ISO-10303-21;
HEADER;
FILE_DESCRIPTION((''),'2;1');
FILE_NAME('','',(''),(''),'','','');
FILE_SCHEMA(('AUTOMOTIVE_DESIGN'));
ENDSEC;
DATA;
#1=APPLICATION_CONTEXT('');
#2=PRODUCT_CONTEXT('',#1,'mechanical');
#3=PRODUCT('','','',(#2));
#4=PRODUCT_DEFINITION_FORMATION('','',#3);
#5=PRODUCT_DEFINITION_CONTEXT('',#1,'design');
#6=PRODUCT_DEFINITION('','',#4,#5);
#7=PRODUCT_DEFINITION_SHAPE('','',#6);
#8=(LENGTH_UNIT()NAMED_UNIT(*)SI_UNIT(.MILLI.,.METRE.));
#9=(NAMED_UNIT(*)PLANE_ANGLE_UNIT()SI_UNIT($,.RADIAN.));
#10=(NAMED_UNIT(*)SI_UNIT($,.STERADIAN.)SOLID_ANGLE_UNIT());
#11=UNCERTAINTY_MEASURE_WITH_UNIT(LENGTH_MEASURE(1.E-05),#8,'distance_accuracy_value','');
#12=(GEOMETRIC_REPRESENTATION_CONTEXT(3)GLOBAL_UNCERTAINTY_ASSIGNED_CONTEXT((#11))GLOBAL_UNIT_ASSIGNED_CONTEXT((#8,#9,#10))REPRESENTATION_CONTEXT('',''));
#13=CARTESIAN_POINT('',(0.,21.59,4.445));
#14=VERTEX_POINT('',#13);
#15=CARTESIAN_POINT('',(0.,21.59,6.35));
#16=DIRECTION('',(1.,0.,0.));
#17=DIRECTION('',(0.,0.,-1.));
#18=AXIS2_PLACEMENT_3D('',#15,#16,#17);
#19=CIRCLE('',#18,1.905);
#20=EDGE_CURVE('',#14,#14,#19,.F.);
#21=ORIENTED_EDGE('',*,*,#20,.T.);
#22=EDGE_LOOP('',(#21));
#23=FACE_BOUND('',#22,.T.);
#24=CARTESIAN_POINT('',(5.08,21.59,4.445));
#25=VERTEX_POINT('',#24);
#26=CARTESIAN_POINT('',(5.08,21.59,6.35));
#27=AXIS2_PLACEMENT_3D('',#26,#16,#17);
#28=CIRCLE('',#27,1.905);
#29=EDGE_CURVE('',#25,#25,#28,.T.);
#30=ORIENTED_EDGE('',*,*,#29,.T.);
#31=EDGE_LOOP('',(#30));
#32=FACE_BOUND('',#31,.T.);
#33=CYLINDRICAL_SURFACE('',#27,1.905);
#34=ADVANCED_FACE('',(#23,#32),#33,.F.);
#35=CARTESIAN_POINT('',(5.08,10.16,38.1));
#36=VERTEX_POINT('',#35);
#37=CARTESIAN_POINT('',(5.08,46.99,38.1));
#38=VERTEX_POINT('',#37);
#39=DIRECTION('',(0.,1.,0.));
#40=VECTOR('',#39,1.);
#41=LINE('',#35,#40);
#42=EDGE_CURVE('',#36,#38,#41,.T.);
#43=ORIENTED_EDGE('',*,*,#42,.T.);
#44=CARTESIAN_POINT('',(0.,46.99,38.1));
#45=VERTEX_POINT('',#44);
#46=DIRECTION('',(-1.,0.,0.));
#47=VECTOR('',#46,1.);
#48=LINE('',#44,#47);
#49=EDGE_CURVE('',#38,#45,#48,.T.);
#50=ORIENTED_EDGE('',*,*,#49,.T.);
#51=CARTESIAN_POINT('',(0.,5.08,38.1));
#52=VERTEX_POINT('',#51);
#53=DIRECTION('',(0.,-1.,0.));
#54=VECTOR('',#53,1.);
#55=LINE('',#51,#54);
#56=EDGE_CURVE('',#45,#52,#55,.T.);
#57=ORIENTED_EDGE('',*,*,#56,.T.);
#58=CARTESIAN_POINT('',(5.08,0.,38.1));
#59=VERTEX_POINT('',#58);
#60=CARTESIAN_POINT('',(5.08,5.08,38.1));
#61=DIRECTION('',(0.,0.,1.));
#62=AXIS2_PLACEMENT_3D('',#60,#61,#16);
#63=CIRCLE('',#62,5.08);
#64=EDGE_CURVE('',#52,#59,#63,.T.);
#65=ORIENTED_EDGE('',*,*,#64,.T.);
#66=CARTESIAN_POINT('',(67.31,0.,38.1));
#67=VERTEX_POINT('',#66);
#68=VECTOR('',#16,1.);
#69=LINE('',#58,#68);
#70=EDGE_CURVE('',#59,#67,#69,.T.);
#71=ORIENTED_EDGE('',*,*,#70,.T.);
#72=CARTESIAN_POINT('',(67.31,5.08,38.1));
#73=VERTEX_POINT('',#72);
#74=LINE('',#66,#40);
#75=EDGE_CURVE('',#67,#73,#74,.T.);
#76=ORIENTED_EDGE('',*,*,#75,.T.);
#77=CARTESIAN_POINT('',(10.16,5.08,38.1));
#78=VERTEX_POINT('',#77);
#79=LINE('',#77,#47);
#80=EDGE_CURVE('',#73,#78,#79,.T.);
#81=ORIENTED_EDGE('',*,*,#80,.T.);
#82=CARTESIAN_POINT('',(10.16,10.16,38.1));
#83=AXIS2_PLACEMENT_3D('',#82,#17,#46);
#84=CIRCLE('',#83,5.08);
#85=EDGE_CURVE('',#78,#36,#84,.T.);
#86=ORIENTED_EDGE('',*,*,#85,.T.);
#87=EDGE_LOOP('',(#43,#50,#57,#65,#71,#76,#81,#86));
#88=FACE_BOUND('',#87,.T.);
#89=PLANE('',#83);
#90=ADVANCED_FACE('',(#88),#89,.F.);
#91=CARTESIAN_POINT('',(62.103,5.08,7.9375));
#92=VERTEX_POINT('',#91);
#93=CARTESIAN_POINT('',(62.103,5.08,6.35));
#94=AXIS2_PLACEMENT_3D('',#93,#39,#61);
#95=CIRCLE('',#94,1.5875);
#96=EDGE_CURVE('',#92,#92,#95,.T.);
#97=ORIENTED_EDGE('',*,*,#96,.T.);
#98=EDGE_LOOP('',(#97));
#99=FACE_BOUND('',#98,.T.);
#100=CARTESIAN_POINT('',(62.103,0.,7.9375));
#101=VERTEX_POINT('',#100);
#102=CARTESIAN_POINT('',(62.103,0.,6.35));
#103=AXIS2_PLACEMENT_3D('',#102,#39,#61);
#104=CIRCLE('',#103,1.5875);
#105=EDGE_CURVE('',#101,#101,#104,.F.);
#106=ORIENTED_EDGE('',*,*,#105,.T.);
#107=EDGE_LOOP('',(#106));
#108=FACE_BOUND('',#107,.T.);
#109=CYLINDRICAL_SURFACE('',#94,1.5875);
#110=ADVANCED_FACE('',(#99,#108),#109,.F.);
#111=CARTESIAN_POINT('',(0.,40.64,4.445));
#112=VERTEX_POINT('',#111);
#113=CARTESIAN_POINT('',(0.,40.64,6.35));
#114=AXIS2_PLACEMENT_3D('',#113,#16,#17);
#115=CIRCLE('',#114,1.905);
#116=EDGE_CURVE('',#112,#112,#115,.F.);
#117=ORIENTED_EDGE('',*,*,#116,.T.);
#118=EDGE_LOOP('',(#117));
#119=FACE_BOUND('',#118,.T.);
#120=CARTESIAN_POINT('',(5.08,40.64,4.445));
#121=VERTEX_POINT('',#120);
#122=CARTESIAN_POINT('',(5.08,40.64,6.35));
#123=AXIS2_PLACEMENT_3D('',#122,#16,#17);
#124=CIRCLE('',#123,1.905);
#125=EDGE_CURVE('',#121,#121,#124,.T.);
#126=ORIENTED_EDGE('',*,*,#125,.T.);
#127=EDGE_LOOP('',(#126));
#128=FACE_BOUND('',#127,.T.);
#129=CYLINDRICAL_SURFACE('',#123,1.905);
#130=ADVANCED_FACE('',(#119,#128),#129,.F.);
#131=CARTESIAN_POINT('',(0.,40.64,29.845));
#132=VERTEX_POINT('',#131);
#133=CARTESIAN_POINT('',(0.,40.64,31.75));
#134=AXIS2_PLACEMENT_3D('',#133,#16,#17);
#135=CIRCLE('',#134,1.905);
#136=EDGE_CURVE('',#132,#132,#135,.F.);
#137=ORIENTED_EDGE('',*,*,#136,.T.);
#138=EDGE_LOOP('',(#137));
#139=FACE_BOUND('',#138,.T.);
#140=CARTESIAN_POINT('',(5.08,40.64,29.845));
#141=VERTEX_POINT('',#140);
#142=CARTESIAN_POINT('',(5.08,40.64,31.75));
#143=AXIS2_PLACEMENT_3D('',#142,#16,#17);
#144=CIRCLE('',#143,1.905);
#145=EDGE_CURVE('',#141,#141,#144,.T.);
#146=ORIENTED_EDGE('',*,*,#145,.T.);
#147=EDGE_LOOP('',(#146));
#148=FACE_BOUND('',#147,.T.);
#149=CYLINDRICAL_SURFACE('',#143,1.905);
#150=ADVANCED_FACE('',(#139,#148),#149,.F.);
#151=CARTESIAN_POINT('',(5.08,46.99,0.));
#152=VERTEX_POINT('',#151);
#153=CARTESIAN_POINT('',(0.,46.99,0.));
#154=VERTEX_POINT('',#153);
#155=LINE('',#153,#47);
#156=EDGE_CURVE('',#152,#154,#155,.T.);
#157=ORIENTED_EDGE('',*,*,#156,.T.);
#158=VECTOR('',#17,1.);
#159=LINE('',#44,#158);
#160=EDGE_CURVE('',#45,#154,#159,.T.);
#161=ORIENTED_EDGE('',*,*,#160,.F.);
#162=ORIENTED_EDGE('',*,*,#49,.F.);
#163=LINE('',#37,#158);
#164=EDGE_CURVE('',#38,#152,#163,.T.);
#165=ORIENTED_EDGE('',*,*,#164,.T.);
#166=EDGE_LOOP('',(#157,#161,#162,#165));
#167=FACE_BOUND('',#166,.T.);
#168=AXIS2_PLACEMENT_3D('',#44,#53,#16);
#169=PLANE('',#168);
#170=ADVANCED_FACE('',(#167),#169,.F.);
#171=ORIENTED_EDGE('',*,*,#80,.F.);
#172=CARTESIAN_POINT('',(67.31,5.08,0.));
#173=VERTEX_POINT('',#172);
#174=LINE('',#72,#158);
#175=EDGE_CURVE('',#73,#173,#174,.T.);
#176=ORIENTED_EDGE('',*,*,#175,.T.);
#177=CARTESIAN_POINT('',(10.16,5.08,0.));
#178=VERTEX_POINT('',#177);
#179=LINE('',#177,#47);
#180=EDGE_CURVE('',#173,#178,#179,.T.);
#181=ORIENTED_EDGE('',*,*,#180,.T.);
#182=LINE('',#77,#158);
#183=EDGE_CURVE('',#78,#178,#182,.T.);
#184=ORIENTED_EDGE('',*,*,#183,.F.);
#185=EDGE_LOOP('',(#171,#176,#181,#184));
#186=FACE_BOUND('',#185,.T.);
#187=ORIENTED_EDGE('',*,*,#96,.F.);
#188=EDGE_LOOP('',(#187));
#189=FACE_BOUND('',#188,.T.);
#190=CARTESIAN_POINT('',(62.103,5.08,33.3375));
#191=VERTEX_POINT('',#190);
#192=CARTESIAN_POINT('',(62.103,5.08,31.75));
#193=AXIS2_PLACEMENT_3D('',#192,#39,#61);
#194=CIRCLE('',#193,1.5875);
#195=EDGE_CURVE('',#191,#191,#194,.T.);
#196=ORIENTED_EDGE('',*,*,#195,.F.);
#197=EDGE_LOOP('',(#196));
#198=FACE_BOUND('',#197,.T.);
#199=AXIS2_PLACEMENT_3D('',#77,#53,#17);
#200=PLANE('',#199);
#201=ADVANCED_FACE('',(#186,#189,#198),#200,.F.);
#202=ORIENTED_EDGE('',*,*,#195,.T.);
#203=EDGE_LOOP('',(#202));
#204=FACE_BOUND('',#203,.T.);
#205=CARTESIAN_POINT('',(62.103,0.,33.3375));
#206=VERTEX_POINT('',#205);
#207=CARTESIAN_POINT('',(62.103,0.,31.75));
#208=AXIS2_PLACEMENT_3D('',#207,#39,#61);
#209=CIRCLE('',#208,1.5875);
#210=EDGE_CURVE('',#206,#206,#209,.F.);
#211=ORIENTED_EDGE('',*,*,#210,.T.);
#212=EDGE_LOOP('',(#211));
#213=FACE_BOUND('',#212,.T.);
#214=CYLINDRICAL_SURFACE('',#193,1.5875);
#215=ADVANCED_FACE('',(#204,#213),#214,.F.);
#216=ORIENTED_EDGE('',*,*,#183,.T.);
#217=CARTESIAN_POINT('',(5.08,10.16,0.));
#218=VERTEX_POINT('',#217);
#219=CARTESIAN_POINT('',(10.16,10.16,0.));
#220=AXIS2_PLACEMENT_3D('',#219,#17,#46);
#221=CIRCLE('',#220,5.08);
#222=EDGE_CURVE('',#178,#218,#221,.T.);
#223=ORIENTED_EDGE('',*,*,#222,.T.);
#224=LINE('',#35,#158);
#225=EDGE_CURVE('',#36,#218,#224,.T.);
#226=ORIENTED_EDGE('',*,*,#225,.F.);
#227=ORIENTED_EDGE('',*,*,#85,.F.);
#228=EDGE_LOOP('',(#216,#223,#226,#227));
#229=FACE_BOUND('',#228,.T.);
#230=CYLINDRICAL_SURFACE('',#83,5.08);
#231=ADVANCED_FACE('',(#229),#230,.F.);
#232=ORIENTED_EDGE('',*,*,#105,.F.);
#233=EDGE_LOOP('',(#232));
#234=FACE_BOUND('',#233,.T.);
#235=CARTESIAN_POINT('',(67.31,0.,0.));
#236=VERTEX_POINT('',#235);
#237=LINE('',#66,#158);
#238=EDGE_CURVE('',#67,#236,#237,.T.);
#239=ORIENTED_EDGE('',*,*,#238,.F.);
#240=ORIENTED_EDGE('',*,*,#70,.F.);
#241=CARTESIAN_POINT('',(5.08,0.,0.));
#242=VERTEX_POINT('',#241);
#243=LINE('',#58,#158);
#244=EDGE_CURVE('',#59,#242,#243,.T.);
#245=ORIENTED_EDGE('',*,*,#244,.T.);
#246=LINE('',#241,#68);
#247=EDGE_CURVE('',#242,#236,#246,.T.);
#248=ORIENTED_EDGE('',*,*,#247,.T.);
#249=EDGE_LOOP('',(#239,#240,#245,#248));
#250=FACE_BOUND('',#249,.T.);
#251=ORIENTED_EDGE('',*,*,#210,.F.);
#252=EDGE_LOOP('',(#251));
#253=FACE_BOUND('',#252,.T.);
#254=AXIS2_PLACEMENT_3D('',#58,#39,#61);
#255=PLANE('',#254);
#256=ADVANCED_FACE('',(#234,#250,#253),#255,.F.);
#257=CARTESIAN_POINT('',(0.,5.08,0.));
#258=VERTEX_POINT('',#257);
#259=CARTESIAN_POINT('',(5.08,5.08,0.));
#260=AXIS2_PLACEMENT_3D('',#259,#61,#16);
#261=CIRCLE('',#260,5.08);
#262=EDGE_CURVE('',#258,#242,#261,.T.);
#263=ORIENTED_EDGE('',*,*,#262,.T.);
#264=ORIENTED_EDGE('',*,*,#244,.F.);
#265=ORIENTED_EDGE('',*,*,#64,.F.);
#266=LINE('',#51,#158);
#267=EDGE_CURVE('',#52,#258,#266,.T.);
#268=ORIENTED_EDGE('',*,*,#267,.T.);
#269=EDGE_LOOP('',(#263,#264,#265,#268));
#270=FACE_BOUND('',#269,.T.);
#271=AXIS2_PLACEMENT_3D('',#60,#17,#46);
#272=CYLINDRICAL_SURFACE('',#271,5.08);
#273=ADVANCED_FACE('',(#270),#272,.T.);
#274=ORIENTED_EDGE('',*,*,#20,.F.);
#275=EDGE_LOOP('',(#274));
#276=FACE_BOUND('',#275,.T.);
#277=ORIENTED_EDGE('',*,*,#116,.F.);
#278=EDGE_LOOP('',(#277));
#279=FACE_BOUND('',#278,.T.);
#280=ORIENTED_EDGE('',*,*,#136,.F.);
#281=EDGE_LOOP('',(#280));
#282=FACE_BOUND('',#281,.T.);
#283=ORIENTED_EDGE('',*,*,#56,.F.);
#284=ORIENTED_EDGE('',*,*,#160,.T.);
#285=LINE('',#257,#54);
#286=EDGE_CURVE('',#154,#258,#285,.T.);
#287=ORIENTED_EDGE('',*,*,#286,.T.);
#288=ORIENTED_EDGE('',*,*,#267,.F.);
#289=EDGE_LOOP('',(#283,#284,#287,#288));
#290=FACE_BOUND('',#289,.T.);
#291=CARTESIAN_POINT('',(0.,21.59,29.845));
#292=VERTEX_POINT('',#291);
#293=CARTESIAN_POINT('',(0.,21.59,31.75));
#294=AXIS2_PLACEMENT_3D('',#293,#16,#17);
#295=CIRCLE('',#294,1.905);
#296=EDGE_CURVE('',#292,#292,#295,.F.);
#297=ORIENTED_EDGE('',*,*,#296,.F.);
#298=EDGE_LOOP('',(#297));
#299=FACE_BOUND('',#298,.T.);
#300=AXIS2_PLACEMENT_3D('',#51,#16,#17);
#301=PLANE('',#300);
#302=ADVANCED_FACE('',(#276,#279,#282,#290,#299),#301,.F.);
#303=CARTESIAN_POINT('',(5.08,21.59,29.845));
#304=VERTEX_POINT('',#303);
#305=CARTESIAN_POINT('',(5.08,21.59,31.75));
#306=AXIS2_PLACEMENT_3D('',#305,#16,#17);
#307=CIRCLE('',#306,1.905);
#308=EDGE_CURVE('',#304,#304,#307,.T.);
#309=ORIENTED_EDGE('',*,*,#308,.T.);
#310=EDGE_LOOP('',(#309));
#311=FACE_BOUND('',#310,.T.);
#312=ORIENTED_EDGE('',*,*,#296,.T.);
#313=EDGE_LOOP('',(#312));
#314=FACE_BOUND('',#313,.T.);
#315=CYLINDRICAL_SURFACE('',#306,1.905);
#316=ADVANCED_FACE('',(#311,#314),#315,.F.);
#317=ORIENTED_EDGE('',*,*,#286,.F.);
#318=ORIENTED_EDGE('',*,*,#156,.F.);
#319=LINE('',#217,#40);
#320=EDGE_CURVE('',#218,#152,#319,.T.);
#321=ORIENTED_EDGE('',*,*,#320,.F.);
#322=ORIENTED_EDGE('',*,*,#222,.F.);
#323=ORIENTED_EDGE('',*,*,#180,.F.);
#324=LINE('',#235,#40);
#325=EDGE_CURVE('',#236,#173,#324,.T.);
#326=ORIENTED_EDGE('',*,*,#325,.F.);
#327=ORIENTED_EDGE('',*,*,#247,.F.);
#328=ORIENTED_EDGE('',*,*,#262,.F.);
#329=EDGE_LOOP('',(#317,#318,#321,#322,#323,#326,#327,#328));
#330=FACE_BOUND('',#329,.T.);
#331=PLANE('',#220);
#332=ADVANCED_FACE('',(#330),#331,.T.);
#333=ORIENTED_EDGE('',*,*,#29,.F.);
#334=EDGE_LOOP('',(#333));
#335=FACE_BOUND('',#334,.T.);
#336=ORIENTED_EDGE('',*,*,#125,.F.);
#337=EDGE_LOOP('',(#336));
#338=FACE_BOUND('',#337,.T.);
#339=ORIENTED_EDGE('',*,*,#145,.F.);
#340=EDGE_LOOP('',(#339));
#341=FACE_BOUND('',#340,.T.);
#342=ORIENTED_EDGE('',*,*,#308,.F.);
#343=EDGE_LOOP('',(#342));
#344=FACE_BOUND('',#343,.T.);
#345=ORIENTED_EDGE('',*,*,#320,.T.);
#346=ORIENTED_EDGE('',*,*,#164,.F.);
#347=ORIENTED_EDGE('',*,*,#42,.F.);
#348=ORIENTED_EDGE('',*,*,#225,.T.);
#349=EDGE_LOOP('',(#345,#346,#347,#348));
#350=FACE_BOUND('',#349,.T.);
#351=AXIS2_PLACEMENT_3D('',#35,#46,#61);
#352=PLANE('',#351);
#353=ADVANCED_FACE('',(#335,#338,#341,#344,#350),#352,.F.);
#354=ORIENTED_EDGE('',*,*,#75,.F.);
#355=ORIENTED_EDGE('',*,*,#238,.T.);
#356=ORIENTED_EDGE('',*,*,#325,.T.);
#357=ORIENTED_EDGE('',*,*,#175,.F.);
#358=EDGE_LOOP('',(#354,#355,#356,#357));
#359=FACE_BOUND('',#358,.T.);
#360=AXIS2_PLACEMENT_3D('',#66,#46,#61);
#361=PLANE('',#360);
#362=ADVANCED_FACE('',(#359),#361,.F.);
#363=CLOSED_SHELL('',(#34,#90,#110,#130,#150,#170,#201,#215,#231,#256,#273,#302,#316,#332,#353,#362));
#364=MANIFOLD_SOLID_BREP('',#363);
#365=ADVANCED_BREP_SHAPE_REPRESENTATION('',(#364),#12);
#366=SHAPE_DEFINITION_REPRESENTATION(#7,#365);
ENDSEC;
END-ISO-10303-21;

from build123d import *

# Parameters (mm, degrees)
BOSS_EXTRUDE1_DEPTH              = 38.1
F_1_8_0_125_DIAMETER_HOLE1_D     = 3.175
F_1_8_0_125_DIAMETER_HOLE1_DEPTH = 5.08
F_1_8_0_125_DIAMETER_HOLE1_TIP   = 0.953866233
F_1_8_0_15_DIAMETER_HOLE1_D      = 3.81
F_1_8_0_15_DIAMETER_HOLE1_DEPTH  = 5.08
F_1_8_0_15_DIAMETER_HOLE1_TIP    = 1.144639479


with BuildPart() as part:
    # Sketch1 → Boss-Extrude1 (new body)
    with BuildSketch(Plane.XY):
        with BuildLine():
            Line((5.08, 0), (67.31, 0))
            Line((67.31, 0), (67.31, 5.08))
            Line((67.31, 5.08), (10.16, 5.08))
            ThreePointArc((10.16, 5.08), (6.567897552, 6.567897552), (5.08, 10.16))
            Line((5.08, 10.16), (5.08, 46.99))
            Line((5.08, 46.99), (0, 46.99))
            Line((0, 46.99), (0, 5.08))
            ThreePointArc((0, 5.08), (1.487897552, 1.487897552), (5.08, 0))
        make_face()
    extrude(amount=BOSS_EXTRUDE1_DEPTH)

    # 1/8 (0.125) Diameter Hole1
    with Locations(Plane(origin=(0, 5.08, 0), x_dir=(1, 0, 0), z_dir=(0, 1, 0))):
        with Locations((62.103, -31.75), (62.103, -6.35)):
            Hole(F_1_8_0_125_DIAMETER_HOLE1_D / 2, depth=F_1_8_0_125_DIAMETER_HOLE1_DEPTH)
            with Locations((0, 0, -(F_1_8_0_125_DIAMETER_HOLE1_DEPTH + F_1_8_0_125_DIAMETER_HOLE1_TIP / 2))):  # 118° drill point
                Cone(0, F_1_8_0_125_DIAMETER_HOLE1_D / 2, F_1_8_0_125_DIAMETER_HOLE1_TIP, mode=Mode.SUBTRACT)

    # 1/8 (0.15) Diameter Hole1
    with Locations(Plane(origin=(5.08, 0, 0), x_dir=(0, 0, -1), z_dir=(1, 0, 0))):
        with Locations((-31.75, 40.64), (-6.35, 40.64), (-6.35, 21.59), (-31.75, 21.59)):
            Hole(F_1_8_0_15_DIAMETER_HOLE1_D / 2, depth=F_1_8_0_15_DIAMETER_HOLE1_DEPTH)
            with Locations((0, 0, -(F_1_8_0_15_DIAMETER_HOLE1_DEPTH + F_1_8_0_15_DIAMETER_HOLE1_TIP / 2))):  # 118° drill point
                Cone(0, F_1_8_0_15_DIAMETER_HOLE1_D / 2, F_1_8_0_15_DIAMETER_HOLE1_TIP, mode=Mode.SUBTRACT)


solid = part.part
